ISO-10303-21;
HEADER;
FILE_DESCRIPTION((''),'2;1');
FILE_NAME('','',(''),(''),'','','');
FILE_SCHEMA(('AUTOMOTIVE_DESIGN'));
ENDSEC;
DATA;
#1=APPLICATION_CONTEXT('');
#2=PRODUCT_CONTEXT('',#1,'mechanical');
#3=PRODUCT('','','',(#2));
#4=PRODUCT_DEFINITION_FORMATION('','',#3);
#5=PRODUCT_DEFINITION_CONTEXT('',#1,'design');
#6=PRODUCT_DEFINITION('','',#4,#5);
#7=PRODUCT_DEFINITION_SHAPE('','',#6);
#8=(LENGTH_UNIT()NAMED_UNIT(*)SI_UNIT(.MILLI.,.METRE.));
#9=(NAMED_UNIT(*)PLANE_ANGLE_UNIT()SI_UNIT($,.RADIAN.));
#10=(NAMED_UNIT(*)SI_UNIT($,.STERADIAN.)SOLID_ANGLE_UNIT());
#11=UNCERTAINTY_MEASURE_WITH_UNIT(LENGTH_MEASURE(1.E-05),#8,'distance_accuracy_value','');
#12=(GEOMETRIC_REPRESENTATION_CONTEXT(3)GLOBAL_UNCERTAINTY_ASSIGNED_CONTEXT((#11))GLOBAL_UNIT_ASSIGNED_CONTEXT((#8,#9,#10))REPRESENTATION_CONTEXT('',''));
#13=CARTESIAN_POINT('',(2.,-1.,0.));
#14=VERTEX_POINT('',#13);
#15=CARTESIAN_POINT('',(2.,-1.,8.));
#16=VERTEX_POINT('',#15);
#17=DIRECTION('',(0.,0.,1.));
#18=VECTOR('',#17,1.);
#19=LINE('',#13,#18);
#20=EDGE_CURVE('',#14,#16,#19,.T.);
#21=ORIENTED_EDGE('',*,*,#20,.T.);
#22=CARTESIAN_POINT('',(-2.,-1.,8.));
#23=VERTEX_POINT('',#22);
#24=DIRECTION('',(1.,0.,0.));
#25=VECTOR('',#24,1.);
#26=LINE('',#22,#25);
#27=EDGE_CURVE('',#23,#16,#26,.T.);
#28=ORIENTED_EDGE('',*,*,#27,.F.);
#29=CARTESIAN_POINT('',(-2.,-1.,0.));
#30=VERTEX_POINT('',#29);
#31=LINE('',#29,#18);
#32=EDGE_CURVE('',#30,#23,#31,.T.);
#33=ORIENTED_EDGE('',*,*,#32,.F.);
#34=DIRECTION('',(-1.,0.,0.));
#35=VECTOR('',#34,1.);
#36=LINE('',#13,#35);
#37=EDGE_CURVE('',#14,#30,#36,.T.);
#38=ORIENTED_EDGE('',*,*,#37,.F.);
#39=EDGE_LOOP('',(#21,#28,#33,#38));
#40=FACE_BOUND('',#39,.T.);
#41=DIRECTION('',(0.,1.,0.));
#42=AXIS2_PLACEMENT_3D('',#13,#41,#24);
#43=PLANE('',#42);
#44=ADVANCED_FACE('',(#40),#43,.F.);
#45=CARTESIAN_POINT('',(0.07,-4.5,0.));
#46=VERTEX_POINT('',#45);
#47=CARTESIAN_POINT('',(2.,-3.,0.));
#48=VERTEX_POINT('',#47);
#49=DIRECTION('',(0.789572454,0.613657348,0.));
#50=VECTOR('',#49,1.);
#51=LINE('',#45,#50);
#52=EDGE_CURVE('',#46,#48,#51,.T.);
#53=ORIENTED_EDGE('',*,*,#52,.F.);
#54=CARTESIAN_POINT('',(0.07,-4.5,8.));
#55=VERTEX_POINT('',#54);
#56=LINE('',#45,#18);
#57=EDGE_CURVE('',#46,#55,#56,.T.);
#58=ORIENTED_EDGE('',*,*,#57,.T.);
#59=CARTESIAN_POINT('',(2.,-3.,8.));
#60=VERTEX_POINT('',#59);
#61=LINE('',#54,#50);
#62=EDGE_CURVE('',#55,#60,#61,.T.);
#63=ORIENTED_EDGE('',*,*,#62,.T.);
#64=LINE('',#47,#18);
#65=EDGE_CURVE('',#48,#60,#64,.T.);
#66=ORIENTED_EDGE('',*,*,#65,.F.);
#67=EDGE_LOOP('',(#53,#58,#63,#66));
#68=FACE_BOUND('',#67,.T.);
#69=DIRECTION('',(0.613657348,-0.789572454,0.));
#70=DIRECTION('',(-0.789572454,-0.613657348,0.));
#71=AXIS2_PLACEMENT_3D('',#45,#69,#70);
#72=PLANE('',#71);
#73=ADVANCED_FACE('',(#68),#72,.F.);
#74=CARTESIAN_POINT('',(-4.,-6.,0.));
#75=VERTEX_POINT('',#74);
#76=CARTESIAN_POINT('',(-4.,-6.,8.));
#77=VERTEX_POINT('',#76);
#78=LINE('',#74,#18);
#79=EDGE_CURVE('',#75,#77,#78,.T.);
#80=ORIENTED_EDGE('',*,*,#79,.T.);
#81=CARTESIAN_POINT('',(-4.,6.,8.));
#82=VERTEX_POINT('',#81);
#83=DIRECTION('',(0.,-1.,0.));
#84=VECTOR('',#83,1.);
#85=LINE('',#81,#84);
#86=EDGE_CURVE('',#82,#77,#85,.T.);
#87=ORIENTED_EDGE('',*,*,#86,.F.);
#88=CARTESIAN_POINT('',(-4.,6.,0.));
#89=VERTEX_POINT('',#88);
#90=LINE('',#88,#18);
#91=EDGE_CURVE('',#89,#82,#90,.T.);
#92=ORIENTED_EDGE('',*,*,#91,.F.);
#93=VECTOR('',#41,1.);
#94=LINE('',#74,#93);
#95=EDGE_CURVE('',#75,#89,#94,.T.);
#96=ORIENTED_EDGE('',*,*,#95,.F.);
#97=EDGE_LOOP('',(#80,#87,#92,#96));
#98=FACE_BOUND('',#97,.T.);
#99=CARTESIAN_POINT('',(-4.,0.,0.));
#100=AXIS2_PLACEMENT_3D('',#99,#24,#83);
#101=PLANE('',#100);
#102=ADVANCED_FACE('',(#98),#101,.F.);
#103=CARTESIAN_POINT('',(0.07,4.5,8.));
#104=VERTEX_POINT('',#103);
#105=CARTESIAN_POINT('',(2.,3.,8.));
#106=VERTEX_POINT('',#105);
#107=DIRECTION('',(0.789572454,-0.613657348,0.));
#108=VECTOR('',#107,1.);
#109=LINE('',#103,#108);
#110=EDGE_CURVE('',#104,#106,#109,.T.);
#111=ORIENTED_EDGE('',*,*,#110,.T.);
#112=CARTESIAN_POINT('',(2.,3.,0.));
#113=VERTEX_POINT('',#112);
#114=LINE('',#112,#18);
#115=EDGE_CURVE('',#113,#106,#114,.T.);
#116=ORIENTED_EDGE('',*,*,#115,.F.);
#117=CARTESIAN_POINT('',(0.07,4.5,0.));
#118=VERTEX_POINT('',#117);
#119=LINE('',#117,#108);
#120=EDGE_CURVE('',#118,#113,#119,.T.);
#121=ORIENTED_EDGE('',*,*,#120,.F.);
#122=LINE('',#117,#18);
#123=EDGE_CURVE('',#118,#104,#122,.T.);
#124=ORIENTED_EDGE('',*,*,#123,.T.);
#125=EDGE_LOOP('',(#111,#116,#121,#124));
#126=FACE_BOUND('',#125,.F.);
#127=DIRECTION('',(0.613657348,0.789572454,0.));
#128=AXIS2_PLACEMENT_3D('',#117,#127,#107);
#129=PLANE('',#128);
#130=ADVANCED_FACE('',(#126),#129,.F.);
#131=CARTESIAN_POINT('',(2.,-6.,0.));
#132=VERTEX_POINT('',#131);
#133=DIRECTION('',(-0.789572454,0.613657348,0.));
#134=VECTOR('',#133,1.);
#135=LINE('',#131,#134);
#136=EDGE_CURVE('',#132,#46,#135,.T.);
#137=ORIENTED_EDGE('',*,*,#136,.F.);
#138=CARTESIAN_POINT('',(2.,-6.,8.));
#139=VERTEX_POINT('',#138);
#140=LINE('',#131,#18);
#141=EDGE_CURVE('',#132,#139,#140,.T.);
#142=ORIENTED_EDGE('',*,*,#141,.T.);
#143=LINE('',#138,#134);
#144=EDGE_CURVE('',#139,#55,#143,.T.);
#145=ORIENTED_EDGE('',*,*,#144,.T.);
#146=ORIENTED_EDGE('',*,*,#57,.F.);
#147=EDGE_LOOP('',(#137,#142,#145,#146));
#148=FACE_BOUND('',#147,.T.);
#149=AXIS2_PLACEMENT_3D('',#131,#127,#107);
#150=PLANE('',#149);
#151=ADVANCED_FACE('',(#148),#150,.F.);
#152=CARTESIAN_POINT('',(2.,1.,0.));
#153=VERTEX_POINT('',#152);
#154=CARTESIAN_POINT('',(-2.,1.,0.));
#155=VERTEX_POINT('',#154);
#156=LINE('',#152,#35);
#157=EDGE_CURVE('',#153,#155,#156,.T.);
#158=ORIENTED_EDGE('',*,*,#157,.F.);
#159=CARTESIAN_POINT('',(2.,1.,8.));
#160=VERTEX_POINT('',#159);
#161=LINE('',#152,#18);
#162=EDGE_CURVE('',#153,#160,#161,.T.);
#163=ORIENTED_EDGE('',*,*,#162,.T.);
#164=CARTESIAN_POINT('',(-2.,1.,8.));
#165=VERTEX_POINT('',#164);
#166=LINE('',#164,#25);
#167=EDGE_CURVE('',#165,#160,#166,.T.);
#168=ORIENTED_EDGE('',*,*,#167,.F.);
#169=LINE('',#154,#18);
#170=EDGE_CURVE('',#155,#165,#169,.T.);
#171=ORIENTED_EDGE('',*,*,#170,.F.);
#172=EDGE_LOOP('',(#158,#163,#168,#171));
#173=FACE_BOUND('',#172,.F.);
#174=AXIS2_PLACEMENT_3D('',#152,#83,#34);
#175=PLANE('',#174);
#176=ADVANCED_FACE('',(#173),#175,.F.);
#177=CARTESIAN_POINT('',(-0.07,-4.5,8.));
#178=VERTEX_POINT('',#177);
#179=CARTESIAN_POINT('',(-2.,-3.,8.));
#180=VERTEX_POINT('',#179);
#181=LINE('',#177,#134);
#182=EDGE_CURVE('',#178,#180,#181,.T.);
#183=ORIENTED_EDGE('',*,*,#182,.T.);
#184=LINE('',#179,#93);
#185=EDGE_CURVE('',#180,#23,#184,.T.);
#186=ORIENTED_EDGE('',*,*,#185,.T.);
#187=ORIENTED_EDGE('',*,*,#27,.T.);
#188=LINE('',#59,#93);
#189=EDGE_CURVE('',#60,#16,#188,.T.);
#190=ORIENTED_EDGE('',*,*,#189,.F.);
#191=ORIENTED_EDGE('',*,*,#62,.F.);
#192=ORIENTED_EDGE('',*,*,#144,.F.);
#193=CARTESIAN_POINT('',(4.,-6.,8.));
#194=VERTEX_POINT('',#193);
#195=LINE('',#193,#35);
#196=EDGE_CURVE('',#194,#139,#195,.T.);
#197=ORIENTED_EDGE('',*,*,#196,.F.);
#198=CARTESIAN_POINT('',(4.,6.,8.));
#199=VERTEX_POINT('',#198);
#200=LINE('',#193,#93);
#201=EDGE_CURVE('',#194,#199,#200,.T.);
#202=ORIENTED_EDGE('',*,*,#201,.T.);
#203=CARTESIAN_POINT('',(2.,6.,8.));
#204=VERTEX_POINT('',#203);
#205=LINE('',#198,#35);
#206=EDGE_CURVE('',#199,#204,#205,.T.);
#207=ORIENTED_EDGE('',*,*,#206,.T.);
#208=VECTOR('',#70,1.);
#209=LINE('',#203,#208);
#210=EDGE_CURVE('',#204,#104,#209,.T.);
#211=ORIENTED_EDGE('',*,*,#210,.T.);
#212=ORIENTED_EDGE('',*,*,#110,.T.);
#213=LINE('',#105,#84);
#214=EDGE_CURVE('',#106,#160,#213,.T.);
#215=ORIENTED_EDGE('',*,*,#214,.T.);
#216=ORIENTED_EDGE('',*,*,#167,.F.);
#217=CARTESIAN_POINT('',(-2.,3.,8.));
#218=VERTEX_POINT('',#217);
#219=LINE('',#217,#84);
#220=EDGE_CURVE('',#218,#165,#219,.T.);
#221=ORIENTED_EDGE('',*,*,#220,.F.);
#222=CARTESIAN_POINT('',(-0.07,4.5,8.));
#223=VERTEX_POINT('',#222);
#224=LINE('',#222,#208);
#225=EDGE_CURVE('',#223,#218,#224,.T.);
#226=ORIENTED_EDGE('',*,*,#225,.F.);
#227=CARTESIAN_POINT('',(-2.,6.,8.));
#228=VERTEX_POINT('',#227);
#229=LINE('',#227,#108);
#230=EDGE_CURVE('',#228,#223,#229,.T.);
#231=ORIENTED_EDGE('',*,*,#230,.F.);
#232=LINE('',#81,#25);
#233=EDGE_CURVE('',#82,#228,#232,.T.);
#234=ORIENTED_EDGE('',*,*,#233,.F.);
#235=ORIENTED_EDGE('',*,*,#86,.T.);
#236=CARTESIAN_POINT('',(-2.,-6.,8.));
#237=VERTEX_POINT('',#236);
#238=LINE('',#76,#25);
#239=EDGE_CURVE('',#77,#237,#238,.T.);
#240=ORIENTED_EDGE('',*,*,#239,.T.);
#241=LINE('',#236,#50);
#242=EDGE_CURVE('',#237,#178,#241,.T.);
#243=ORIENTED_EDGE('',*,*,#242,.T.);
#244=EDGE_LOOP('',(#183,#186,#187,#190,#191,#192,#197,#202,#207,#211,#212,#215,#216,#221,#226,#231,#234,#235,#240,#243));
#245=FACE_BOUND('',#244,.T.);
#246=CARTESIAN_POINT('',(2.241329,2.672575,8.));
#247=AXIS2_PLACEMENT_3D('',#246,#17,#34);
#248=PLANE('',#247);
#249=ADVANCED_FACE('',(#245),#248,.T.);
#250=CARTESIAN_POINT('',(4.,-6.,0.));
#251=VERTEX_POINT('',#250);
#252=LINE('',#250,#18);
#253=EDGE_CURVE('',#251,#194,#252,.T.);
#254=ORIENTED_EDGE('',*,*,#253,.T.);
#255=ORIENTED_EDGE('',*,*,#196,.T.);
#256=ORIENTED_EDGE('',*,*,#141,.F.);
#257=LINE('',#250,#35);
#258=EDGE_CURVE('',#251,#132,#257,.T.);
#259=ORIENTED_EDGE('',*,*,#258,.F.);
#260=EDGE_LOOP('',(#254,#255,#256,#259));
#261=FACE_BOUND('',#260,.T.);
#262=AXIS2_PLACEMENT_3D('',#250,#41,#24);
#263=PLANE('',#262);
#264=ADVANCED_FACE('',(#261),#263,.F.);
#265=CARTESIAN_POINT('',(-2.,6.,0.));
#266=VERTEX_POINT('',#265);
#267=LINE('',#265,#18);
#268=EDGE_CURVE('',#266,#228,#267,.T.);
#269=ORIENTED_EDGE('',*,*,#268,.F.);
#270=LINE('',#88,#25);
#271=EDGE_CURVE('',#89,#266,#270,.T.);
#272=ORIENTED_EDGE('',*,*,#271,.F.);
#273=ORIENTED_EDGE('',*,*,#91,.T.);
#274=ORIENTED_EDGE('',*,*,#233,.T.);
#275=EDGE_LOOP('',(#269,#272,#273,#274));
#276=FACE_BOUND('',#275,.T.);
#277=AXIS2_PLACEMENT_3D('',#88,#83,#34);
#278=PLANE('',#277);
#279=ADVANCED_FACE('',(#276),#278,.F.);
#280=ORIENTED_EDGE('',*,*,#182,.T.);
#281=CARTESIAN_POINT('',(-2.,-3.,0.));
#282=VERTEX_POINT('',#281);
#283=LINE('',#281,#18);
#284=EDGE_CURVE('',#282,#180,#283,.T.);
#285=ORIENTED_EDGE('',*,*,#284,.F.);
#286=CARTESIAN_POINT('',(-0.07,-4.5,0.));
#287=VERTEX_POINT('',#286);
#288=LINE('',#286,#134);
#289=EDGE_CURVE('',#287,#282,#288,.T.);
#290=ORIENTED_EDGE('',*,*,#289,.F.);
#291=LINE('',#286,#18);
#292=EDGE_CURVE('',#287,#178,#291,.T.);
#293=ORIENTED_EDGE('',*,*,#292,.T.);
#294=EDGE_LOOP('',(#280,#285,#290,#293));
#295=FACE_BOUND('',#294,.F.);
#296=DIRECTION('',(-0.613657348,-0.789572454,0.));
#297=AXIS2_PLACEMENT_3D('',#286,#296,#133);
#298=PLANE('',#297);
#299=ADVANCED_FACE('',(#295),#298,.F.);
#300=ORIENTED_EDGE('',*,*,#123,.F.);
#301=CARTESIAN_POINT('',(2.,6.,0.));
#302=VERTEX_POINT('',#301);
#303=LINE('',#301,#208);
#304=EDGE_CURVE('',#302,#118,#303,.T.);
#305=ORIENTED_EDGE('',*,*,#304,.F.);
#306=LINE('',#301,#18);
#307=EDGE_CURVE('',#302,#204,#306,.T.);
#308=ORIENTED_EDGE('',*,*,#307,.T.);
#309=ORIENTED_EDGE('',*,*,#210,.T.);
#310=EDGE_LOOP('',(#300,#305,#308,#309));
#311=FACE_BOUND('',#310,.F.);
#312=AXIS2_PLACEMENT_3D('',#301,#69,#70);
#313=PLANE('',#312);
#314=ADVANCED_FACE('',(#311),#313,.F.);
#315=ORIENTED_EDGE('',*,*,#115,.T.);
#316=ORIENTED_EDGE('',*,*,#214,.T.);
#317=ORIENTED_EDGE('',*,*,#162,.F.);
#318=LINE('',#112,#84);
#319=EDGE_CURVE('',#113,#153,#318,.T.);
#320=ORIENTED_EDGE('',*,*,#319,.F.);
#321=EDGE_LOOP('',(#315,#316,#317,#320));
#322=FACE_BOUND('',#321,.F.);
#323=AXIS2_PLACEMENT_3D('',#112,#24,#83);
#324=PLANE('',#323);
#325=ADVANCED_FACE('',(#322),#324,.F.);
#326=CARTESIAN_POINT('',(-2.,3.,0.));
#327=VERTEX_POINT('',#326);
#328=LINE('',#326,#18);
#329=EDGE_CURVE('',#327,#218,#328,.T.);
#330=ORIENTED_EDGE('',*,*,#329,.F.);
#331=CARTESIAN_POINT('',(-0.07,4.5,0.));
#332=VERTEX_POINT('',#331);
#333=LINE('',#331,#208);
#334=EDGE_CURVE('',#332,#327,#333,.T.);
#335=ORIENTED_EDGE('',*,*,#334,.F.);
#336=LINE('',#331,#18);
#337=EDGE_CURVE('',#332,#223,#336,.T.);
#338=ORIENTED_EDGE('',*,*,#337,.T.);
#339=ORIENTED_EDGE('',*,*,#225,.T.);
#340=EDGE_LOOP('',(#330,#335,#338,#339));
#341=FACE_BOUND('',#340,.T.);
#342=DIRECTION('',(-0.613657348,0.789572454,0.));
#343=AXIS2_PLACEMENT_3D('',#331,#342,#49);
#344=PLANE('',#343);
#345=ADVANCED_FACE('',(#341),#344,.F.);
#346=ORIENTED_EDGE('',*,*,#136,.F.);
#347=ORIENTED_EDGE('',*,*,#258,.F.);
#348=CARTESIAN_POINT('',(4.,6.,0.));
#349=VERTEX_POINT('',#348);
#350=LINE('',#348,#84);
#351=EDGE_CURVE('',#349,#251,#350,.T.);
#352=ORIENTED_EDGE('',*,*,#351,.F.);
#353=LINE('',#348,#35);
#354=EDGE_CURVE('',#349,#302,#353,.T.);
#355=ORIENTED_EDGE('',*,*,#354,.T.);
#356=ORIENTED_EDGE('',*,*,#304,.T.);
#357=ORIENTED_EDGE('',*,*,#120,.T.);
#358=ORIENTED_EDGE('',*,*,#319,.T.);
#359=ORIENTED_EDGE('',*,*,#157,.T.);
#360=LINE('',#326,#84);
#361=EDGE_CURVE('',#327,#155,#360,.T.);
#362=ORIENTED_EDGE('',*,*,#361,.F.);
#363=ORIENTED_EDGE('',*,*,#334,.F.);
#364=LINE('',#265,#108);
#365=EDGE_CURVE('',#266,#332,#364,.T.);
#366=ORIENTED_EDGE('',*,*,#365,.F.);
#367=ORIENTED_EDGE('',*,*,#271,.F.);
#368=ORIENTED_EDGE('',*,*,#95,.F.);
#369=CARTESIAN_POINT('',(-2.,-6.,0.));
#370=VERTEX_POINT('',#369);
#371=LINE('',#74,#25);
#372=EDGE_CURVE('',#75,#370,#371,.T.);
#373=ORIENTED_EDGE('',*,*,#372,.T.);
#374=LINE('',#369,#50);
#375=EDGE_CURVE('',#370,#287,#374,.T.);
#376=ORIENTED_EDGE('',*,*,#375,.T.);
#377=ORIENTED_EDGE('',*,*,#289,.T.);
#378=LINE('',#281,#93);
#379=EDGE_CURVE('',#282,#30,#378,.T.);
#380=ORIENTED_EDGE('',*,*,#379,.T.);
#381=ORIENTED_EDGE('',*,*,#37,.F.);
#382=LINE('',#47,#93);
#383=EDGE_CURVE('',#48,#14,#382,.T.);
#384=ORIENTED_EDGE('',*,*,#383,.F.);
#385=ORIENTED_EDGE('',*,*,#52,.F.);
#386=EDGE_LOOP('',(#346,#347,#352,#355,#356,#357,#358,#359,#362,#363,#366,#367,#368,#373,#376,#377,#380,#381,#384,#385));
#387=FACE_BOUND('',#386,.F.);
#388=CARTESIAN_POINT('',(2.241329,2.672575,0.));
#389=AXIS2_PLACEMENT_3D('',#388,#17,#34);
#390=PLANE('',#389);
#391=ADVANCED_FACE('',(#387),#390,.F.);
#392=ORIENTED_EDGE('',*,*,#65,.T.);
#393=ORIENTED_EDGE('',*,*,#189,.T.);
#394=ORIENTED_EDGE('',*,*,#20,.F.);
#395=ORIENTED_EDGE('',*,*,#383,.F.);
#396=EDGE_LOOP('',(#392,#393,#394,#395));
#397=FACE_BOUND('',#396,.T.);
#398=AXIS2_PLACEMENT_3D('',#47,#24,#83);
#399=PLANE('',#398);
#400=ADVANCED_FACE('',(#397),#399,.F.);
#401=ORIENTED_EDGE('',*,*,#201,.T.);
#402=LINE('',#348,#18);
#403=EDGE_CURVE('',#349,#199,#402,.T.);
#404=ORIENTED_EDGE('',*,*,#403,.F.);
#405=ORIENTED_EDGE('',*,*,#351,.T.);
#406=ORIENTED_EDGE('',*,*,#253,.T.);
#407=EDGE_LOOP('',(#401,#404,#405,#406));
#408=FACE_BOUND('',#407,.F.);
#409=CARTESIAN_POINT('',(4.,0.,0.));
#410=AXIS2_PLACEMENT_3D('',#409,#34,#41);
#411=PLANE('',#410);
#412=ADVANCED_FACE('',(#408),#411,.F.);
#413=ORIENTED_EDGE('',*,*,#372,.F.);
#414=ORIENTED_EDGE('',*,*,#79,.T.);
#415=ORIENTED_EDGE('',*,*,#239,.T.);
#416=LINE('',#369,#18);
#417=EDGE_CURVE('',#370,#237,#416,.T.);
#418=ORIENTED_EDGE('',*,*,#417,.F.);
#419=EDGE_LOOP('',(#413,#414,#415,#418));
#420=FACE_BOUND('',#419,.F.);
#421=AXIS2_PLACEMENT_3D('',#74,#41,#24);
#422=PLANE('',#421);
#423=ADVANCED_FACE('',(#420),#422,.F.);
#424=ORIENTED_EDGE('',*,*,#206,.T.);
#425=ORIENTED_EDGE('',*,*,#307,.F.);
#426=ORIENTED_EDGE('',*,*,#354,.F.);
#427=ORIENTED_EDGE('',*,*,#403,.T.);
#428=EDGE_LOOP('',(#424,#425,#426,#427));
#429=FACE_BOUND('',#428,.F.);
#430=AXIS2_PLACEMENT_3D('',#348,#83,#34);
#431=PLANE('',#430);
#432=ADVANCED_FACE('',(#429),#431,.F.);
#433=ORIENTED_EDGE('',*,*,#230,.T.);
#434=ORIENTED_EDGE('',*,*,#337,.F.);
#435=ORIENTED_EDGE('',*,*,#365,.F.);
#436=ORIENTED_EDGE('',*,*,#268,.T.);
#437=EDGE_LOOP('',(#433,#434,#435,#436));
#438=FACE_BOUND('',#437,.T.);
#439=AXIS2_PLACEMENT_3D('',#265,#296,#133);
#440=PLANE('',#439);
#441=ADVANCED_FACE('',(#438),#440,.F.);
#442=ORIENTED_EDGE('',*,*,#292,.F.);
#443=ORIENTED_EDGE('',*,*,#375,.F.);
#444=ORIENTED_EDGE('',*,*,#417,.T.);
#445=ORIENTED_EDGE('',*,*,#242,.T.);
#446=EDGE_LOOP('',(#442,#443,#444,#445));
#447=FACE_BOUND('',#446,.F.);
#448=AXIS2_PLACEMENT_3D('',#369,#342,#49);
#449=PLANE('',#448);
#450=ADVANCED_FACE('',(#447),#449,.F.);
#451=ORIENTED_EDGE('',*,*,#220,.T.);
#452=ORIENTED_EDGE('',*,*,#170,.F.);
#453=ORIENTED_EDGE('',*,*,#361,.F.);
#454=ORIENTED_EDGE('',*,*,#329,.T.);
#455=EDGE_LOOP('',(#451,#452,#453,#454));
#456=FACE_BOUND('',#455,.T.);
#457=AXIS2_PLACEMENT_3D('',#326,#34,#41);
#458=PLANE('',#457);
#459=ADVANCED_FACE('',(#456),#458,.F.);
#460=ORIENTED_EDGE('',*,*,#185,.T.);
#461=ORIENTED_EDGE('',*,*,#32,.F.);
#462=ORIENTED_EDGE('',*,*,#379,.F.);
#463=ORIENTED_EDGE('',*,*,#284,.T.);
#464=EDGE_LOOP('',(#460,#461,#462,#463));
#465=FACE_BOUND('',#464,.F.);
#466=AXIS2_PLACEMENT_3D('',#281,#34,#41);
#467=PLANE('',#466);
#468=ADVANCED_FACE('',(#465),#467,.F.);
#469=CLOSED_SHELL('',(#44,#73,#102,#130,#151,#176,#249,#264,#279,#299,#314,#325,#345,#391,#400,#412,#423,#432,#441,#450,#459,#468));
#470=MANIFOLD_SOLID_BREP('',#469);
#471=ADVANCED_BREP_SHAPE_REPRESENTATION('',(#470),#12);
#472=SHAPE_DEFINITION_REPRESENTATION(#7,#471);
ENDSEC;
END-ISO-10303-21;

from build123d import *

# Parameters (mm, degrees)
F2_DEPTH = 8


with BuildPart() as f2:
    # F1 (on Top) → F2 (new body)
    with BuildSketch(Plane.XY):
        Polygon((-0.07, -4.5), (-2, -3), (-2, -1), (0, -1), (0, 0), (-4, 0), (-4, -6), (-2, -6), align=None)
    extrude(amount=F2_DEPTH)

    # F3: F2 across plane


with BuildPart() as f2_1:
    add(f2.part)
    add(f2.part.mirror(Plane.YZ))

    # F4: F2 across plane


with BuildPart() as f2_2:
    add(f2_1.part)
    add(f2_1.part.mirror(Plane.XZ))


solid = f2_2.part
